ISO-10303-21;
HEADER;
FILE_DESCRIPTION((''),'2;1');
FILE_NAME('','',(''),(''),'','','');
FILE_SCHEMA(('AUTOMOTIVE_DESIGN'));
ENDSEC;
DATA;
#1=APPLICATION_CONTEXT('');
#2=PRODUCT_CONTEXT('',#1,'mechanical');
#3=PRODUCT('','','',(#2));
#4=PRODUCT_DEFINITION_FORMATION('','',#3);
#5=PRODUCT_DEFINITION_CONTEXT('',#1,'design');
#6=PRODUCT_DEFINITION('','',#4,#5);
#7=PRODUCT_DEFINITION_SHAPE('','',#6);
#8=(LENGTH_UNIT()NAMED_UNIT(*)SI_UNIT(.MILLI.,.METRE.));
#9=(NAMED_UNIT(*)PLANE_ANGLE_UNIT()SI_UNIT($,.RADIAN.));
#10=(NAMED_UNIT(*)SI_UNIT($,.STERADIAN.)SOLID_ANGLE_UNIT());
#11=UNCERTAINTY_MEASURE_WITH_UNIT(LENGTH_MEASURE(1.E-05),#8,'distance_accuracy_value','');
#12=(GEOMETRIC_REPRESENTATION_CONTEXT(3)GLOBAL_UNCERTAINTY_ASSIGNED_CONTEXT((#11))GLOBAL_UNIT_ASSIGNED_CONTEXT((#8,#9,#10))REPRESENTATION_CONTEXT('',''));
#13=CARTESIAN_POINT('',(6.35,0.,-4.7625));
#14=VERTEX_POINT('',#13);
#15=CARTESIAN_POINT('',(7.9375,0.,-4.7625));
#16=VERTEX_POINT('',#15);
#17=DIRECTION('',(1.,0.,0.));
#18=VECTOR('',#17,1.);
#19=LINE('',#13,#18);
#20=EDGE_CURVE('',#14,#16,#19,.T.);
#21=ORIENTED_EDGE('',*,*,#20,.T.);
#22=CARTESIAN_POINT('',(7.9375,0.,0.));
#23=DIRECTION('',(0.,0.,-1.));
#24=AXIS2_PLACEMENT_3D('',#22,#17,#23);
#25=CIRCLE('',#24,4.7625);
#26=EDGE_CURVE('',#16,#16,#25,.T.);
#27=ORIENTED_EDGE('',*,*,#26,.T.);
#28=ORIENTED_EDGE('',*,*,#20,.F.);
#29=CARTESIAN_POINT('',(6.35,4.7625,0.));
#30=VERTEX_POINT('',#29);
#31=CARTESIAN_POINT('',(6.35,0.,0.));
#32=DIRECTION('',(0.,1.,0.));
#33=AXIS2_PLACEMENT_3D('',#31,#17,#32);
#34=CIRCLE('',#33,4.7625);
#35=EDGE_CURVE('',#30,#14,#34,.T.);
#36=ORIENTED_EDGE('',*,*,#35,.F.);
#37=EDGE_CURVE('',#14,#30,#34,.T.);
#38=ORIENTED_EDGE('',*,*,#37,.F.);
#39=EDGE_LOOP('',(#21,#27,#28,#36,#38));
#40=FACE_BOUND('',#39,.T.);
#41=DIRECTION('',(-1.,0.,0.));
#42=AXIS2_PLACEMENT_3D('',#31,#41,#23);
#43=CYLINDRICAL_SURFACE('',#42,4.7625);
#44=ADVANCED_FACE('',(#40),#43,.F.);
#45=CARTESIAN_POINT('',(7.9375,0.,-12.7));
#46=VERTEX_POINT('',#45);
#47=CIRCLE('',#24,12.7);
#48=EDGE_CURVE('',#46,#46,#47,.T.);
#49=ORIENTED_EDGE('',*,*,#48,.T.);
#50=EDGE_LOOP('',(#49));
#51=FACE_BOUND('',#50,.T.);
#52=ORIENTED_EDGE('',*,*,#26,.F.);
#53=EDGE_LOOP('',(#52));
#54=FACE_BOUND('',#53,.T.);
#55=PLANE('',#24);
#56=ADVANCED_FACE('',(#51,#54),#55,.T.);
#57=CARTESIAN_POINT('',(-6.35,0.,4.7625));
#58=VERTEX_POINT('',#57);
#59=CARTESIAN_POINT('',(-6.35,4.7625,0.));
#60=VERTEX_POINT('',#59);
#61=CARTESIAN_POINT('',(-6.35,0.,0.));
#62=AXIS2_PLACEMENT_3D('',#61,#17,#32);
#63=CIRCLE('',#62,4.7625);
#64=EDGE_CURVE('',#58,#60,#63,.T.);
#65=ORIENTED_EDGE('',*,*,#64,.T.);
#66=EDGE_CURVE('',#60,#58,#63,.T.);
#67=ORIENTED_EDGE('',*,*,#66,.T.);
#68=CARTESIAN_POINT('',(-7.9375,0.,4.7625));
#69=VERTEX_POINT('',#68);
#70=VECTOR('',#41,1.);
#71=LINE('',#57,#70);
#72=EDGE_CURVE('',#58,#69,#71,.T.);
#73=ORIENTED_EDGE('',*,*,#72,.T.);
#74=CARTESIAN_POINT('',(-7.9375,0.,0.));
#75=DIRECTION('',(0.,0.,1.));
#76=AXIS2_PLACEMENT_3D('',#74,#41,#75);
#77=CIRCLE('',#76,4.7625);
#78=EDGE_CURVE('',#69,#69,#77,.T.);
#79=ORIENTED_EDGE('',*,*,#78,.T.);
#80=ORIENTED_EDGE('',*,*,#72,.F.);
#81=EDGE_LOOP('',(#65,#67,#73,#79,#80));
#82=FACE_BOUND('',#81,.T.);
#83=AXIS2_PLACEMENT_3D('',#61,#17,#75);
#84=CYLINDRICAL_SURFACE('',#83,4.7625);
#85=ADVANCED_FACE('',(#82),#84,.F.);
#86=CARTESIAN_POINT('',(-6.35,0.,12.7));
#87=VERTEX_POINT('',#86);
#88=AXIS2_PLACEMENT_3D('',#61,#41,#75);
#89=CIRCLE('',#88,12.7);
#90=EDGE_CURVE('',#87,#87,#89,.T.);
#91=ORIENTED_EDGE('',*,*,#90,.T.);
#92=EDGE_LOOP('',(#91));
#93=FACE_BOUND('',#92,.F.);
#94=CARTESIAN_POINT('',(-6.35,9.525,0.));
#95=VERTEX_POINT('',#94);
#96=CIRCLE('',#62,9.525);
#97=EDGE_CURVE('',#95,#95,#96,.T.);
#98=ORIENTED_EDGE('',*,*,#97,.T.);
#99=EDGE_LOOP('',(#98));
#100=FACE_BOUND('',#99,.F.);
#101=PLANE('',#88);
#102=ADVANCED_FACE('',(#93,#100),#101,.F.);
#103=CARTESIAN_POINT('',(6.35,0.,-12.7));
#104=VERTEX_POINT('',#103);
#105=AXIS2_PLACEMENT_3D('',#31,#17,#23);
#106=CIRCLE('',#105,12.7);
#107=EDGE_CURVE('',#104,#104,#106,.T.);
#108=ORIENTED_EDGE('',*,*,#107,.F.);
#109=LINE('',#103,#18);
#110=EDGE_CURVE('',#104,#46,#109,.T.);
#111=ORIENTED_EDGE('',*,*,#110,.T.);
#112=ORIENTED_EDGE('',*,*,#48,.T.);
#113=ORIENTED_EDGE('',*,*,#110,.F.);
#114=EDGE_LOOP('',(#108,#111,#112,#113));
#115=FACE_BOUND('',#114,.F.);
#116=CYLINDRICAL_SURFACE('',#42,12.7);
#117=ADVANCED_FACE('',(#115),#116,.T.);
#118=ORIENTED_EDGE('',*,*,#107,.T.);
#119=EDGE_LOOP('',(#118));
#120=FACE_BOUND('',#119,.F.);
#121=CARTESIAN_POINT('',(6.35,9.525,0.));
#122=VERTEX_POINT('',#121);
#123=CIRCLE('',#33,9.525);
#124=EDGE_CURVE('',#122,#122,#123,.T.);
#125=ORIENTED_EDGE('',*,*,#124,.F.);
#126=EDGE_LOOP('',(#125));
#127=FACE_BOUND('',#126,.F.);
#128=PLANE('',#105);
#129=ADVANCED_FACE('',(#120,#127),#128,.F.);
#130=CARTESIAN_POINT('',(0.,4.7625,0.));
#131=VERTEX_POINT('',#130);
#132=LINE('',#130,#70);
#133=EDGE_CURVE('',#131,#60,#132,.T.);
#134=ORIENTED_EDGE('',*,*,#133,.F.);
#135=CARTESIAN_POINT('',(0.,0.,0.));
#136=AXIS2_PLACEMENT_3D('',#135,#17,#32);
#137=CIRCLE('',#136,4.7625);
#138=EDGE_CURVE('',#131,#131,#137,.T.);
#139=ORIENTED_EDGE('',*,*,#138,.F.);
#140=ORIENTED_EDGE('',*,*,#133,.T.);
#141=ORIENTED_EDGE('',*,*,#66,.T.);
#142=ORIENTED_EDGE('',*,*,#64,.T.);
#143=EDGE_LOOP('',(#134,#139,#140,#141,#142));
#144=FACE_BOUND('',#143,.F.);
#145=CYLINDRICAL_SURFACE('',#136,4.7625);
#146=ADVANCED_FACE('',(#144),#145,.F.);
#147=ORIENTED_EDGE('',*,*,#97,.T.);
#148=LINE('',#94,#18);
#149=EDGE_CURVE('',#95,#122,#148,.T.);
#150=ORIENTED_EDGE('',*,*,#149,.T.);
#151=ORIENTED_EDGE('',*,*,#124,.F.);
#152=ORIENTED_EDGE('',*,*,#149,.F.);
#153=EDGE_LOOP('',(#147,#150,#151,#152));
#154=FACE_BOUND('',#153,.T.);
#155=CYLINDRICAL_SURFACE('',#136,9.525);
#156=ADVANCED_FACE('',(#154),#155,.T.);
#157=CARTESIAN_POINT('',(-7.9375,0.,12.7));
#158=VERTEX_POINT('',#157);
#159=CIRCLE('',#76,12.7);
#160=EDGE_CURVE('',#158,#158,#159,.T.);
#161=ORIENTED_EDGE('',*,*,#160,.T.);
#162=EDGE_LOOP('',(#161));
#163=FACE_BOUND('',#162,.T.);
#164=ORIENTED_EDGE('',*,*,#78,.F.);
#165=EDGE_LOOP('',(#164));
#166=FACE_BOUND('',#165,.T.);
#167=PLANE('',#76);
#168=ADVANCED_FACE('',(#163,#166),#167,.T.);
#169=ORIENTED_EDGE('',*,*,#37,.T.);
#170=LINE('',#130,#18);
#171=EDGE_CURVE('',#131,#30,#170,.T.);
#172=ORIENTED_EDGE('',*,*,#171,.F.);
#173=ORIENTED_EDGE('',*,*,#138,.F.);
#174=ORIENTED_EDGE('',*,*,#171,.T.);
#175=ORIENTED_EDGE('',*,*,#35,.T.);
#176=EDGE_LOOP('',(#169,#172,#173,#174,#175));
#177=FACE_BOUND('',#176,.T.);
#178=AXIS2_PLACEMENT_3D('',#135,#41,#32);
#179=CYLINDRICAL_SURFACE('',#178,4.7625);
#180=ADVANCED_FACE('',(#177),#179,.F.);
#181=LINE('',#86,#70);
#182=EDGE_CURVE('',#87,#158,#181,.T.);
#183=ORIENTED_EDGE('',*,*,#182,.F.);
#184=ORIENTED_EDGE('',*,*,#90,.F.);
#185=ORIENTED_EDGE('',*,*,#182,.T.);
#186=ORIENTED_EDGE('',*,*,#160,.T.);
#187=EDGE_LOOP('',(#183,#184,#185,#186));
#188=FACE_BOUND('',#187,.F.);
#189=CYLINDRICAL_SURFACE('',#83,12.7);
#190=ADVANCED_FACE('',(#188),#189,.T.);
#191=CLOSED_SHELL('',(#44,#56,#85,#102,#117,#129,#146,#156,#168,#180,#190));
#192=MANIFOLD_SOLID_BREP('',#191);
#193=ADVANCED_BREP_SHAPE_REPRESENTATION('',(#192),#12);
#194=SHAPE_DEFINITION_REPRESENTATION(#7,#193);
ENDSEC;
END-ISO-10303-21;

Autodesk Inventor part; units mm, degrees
ref_plane "YZ Plane" through (0, 0, 0) normal (1, 0, 0) x (0, 1, 0)
ref_plane "XZ Plane" through (0, 0, 0) normal (0, 1, 0) x (-1, 0, 0)
ref_plane "XY Plane" through (0, 0, 0) normal (0, 0, 1) x (1, 0, 0)
sketch "Sketch1" plane through (0, 0, 0) normal (1, 0, 0) x (0, 1, 0)
  circle A0 centre (0, 0) radius 9.525
  circle A1 centre (0, 0) radius 4.7625
  dimension "d0" = 19.05
  dimension "d2" = 9.525
extrude "Extrusion1" add sketch "Sketch1" along normal mid plane 12.7
sketch "Sketch2" plane through (6.35, 0, 0) normal (1, 0, 0) x (0, 0, -1)
  circle A0 centre (0, 0) radius 12.7
  circle A1 centre (0, 0) radius 9.525 construction
  circle A2 centre (0, 0) radius 4.7625 projected
  dimension "d6" = 3.175
extrude "Extrusion2" add sketch "Sketch2" along normal blind 1.5875
sketch "Sketch3" plane through (-6.35, 0, 0) normal (-1, 0, 0) x (0, 0, 1)
  circle A0 centre (0, 0) radius 12.7 projected
  circle A1 centre (0, 0) radius 4.7625 projected
extrude "Extrusion3" add sketch "Sketch3" along normal blind 1.5875
sketch "Sketch4" plane through (7.9375, 0, 0) normal (1, 0, 0) x (0, 0, -1)
  circle A0 centre (0, 0) radius 4.7625 projected
  circle A1 centre (0, 0) radius 9.525
  dimension "d11" = 4.7625
extrude "Extrusion4" [suppressed]
properties part number "pulley XL 1.25in" material "Nylon 6/6"
